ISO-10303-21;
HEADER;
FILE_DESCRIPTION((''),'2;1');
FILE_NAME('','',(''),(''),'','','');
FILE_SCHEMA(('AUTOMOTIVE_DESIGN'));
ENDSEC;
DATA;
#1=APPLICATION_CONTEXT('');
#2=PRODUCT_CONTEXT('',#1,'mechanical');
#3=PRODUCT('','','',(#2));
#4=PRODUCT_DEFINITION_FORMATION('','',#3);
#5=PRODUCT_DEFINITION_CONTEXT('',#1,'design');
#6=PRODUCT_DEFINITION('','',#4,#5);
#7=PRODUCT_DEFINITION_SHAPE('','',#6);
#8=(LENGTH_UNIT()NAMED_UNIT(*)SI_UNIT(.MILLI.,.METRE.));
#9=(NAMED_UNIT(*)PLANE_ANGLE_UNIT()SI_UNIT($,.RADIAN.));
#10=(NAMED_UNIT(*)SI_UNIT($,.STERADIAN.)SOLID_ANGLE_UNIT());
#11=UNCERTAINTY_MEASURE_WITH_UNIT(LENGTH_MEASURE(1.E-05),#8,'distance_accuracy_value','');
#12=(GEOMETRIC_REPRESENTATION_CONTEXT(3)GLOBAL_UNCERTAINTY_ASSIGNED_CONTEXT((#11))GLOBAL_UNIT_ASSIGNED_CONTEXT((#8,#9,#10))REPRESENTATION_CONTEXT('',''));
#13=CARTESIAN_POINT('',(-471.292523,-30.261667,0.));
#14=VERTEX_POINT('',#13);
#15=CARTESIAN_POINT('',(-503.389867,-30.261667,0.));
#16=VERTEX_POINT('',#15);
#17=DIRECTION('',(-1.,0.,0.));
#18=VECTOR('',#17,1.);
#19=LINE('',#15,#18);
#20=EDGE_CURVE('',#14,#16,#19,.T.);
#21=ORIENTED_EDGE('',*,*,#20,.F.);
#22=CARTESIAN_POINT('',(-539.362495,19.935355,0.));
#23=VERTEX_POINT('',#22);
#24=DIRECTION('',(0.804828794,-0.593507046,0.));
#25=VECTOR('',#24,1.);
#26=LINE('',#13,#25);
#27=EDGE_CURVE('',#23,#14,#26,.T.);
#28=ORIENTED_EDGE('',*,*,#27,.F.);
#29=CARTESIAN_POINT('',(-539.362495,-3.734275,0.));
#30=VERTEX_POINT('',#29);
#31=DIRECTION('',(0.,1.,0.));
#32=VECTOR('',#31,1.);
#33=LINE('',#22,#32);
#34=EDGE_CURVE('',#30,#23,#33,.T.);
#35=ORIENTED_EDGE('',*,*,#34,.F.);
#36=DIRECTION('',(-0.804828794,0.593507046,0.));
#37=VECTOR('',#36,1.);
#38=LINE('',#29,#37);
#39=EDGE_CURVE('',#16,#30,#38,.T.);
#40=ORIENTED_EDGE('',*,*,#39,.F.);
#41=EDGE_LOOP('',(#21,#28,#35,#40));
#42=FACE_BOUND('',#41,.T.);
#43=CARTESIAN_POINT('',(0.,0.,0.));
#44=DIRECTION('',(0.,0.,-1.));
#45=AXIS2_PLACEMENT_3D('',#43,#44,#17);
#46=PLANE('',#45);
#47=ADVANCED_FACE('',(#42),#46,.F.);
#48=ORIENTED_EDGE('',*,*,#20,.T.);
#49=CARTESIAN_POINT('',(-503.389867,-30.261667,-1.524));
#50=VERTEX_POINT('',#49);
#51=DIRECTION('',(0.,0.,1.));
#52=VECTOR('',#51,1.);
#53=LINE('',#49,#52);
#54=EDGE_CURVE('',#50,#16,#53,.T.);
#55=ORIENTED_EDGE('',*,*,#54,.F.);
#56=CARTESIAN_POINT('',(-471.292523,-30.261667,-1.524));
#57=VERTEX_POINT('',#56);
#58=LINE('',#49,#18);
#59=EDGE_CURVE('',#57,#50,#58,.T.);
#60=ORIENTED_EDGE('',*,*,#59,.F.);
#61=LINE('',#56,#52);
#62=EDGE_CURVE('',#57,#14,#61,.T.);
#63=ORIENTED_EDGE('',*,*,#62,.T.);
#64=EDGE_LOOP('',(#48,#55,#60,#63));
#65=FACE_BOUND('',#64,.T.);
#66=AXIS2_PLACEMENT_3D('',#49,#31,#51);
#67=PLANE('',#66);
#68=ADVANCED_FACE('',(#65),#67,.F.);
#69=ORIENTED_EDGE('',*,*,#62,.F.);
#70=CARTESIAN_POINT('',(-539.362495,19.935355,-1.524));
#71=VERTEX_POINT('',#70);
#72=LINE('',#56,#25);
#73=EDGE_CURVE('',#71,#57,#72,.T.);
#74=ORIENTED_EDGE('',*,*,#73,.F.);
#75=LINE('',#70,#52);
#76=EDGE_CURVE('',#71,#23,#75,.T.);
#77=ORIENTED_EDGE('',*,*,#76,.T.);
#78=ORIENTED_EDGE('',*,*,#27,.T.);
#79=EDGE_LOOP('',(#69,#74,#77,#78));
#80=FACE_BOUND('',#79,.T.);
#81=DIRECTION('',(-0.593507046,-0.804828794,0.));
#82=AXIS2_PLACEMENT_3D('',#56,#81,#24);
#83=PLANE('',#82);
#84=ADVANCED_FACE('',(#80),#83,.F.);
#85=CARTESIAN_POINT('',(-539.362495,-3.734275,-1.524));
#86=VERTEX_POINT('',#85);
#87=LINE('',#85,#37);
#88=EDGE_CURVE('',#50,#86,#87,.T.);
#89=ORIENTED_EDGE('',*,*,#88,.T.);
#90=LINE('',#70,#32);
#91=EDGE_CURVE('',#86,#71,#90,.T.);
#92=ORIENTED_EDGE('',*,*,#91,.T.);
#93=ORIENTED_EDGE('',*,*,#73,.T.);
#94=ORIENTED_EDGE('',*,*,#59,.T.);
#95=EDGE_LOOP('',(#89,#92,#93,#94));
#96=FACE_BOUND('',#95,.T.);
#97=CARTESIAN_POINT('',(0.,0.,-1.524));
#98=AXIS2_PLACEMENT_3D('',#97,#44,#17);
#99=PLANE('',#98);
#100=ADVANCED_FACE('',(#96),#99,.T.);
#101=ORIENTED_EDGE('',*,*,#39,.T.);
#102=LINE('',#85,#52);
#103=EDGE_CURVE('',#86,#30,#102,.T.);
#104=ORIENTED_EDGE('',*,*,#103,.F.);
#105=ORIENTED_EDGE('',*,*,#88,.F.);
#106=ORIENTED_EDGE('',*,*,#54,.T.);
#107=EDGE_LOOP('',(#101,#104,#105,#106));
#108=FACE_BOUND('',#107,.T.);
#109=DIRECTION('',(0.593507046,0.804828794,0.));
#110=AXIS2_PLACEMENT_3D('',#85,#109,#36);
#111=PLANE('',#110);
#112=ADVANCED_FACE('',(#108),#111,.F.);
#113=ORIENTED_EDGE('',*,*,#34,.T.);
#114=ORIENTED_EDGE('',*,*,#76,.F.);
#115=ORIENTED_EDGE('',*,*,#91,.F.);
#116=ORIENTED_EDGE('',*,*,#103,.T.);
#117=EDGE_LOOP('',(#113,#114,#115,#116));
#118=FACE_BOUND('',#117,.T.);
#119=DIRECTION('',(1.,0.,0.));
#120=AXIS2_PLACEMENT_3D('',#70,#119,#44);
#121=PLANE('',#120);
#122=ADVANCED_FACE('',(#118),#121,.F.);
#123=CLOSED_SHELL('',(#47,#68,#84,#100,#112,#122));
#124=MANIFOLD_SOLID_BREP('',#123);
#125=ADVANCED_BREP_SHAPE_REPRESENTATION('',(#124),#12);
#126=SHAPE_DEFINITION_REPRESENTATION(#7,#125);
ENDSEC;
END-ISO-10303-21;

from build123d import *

# Parameters (mm, degrees)
BOSS_EXTRUDE1_DEPTH = 1.524


with BuildPart() as part:
    # Sketch4 → Boss-Extrude1 (new body)
    with BuildSketch(Plane(origin=(0, 0, 0), x_dir=(-1, 0, 0), z_dir=(0, 0, -1))):
        Polygon((471.292522592, -30.261666621), (539.362495023, 19.935354845), (539.362495023, -3.734275458), (503.389866918, -30.261666621), align=None)
    extrude(amount=BOSS_EXTRUDE1_DEPTH)


solid = part.part
